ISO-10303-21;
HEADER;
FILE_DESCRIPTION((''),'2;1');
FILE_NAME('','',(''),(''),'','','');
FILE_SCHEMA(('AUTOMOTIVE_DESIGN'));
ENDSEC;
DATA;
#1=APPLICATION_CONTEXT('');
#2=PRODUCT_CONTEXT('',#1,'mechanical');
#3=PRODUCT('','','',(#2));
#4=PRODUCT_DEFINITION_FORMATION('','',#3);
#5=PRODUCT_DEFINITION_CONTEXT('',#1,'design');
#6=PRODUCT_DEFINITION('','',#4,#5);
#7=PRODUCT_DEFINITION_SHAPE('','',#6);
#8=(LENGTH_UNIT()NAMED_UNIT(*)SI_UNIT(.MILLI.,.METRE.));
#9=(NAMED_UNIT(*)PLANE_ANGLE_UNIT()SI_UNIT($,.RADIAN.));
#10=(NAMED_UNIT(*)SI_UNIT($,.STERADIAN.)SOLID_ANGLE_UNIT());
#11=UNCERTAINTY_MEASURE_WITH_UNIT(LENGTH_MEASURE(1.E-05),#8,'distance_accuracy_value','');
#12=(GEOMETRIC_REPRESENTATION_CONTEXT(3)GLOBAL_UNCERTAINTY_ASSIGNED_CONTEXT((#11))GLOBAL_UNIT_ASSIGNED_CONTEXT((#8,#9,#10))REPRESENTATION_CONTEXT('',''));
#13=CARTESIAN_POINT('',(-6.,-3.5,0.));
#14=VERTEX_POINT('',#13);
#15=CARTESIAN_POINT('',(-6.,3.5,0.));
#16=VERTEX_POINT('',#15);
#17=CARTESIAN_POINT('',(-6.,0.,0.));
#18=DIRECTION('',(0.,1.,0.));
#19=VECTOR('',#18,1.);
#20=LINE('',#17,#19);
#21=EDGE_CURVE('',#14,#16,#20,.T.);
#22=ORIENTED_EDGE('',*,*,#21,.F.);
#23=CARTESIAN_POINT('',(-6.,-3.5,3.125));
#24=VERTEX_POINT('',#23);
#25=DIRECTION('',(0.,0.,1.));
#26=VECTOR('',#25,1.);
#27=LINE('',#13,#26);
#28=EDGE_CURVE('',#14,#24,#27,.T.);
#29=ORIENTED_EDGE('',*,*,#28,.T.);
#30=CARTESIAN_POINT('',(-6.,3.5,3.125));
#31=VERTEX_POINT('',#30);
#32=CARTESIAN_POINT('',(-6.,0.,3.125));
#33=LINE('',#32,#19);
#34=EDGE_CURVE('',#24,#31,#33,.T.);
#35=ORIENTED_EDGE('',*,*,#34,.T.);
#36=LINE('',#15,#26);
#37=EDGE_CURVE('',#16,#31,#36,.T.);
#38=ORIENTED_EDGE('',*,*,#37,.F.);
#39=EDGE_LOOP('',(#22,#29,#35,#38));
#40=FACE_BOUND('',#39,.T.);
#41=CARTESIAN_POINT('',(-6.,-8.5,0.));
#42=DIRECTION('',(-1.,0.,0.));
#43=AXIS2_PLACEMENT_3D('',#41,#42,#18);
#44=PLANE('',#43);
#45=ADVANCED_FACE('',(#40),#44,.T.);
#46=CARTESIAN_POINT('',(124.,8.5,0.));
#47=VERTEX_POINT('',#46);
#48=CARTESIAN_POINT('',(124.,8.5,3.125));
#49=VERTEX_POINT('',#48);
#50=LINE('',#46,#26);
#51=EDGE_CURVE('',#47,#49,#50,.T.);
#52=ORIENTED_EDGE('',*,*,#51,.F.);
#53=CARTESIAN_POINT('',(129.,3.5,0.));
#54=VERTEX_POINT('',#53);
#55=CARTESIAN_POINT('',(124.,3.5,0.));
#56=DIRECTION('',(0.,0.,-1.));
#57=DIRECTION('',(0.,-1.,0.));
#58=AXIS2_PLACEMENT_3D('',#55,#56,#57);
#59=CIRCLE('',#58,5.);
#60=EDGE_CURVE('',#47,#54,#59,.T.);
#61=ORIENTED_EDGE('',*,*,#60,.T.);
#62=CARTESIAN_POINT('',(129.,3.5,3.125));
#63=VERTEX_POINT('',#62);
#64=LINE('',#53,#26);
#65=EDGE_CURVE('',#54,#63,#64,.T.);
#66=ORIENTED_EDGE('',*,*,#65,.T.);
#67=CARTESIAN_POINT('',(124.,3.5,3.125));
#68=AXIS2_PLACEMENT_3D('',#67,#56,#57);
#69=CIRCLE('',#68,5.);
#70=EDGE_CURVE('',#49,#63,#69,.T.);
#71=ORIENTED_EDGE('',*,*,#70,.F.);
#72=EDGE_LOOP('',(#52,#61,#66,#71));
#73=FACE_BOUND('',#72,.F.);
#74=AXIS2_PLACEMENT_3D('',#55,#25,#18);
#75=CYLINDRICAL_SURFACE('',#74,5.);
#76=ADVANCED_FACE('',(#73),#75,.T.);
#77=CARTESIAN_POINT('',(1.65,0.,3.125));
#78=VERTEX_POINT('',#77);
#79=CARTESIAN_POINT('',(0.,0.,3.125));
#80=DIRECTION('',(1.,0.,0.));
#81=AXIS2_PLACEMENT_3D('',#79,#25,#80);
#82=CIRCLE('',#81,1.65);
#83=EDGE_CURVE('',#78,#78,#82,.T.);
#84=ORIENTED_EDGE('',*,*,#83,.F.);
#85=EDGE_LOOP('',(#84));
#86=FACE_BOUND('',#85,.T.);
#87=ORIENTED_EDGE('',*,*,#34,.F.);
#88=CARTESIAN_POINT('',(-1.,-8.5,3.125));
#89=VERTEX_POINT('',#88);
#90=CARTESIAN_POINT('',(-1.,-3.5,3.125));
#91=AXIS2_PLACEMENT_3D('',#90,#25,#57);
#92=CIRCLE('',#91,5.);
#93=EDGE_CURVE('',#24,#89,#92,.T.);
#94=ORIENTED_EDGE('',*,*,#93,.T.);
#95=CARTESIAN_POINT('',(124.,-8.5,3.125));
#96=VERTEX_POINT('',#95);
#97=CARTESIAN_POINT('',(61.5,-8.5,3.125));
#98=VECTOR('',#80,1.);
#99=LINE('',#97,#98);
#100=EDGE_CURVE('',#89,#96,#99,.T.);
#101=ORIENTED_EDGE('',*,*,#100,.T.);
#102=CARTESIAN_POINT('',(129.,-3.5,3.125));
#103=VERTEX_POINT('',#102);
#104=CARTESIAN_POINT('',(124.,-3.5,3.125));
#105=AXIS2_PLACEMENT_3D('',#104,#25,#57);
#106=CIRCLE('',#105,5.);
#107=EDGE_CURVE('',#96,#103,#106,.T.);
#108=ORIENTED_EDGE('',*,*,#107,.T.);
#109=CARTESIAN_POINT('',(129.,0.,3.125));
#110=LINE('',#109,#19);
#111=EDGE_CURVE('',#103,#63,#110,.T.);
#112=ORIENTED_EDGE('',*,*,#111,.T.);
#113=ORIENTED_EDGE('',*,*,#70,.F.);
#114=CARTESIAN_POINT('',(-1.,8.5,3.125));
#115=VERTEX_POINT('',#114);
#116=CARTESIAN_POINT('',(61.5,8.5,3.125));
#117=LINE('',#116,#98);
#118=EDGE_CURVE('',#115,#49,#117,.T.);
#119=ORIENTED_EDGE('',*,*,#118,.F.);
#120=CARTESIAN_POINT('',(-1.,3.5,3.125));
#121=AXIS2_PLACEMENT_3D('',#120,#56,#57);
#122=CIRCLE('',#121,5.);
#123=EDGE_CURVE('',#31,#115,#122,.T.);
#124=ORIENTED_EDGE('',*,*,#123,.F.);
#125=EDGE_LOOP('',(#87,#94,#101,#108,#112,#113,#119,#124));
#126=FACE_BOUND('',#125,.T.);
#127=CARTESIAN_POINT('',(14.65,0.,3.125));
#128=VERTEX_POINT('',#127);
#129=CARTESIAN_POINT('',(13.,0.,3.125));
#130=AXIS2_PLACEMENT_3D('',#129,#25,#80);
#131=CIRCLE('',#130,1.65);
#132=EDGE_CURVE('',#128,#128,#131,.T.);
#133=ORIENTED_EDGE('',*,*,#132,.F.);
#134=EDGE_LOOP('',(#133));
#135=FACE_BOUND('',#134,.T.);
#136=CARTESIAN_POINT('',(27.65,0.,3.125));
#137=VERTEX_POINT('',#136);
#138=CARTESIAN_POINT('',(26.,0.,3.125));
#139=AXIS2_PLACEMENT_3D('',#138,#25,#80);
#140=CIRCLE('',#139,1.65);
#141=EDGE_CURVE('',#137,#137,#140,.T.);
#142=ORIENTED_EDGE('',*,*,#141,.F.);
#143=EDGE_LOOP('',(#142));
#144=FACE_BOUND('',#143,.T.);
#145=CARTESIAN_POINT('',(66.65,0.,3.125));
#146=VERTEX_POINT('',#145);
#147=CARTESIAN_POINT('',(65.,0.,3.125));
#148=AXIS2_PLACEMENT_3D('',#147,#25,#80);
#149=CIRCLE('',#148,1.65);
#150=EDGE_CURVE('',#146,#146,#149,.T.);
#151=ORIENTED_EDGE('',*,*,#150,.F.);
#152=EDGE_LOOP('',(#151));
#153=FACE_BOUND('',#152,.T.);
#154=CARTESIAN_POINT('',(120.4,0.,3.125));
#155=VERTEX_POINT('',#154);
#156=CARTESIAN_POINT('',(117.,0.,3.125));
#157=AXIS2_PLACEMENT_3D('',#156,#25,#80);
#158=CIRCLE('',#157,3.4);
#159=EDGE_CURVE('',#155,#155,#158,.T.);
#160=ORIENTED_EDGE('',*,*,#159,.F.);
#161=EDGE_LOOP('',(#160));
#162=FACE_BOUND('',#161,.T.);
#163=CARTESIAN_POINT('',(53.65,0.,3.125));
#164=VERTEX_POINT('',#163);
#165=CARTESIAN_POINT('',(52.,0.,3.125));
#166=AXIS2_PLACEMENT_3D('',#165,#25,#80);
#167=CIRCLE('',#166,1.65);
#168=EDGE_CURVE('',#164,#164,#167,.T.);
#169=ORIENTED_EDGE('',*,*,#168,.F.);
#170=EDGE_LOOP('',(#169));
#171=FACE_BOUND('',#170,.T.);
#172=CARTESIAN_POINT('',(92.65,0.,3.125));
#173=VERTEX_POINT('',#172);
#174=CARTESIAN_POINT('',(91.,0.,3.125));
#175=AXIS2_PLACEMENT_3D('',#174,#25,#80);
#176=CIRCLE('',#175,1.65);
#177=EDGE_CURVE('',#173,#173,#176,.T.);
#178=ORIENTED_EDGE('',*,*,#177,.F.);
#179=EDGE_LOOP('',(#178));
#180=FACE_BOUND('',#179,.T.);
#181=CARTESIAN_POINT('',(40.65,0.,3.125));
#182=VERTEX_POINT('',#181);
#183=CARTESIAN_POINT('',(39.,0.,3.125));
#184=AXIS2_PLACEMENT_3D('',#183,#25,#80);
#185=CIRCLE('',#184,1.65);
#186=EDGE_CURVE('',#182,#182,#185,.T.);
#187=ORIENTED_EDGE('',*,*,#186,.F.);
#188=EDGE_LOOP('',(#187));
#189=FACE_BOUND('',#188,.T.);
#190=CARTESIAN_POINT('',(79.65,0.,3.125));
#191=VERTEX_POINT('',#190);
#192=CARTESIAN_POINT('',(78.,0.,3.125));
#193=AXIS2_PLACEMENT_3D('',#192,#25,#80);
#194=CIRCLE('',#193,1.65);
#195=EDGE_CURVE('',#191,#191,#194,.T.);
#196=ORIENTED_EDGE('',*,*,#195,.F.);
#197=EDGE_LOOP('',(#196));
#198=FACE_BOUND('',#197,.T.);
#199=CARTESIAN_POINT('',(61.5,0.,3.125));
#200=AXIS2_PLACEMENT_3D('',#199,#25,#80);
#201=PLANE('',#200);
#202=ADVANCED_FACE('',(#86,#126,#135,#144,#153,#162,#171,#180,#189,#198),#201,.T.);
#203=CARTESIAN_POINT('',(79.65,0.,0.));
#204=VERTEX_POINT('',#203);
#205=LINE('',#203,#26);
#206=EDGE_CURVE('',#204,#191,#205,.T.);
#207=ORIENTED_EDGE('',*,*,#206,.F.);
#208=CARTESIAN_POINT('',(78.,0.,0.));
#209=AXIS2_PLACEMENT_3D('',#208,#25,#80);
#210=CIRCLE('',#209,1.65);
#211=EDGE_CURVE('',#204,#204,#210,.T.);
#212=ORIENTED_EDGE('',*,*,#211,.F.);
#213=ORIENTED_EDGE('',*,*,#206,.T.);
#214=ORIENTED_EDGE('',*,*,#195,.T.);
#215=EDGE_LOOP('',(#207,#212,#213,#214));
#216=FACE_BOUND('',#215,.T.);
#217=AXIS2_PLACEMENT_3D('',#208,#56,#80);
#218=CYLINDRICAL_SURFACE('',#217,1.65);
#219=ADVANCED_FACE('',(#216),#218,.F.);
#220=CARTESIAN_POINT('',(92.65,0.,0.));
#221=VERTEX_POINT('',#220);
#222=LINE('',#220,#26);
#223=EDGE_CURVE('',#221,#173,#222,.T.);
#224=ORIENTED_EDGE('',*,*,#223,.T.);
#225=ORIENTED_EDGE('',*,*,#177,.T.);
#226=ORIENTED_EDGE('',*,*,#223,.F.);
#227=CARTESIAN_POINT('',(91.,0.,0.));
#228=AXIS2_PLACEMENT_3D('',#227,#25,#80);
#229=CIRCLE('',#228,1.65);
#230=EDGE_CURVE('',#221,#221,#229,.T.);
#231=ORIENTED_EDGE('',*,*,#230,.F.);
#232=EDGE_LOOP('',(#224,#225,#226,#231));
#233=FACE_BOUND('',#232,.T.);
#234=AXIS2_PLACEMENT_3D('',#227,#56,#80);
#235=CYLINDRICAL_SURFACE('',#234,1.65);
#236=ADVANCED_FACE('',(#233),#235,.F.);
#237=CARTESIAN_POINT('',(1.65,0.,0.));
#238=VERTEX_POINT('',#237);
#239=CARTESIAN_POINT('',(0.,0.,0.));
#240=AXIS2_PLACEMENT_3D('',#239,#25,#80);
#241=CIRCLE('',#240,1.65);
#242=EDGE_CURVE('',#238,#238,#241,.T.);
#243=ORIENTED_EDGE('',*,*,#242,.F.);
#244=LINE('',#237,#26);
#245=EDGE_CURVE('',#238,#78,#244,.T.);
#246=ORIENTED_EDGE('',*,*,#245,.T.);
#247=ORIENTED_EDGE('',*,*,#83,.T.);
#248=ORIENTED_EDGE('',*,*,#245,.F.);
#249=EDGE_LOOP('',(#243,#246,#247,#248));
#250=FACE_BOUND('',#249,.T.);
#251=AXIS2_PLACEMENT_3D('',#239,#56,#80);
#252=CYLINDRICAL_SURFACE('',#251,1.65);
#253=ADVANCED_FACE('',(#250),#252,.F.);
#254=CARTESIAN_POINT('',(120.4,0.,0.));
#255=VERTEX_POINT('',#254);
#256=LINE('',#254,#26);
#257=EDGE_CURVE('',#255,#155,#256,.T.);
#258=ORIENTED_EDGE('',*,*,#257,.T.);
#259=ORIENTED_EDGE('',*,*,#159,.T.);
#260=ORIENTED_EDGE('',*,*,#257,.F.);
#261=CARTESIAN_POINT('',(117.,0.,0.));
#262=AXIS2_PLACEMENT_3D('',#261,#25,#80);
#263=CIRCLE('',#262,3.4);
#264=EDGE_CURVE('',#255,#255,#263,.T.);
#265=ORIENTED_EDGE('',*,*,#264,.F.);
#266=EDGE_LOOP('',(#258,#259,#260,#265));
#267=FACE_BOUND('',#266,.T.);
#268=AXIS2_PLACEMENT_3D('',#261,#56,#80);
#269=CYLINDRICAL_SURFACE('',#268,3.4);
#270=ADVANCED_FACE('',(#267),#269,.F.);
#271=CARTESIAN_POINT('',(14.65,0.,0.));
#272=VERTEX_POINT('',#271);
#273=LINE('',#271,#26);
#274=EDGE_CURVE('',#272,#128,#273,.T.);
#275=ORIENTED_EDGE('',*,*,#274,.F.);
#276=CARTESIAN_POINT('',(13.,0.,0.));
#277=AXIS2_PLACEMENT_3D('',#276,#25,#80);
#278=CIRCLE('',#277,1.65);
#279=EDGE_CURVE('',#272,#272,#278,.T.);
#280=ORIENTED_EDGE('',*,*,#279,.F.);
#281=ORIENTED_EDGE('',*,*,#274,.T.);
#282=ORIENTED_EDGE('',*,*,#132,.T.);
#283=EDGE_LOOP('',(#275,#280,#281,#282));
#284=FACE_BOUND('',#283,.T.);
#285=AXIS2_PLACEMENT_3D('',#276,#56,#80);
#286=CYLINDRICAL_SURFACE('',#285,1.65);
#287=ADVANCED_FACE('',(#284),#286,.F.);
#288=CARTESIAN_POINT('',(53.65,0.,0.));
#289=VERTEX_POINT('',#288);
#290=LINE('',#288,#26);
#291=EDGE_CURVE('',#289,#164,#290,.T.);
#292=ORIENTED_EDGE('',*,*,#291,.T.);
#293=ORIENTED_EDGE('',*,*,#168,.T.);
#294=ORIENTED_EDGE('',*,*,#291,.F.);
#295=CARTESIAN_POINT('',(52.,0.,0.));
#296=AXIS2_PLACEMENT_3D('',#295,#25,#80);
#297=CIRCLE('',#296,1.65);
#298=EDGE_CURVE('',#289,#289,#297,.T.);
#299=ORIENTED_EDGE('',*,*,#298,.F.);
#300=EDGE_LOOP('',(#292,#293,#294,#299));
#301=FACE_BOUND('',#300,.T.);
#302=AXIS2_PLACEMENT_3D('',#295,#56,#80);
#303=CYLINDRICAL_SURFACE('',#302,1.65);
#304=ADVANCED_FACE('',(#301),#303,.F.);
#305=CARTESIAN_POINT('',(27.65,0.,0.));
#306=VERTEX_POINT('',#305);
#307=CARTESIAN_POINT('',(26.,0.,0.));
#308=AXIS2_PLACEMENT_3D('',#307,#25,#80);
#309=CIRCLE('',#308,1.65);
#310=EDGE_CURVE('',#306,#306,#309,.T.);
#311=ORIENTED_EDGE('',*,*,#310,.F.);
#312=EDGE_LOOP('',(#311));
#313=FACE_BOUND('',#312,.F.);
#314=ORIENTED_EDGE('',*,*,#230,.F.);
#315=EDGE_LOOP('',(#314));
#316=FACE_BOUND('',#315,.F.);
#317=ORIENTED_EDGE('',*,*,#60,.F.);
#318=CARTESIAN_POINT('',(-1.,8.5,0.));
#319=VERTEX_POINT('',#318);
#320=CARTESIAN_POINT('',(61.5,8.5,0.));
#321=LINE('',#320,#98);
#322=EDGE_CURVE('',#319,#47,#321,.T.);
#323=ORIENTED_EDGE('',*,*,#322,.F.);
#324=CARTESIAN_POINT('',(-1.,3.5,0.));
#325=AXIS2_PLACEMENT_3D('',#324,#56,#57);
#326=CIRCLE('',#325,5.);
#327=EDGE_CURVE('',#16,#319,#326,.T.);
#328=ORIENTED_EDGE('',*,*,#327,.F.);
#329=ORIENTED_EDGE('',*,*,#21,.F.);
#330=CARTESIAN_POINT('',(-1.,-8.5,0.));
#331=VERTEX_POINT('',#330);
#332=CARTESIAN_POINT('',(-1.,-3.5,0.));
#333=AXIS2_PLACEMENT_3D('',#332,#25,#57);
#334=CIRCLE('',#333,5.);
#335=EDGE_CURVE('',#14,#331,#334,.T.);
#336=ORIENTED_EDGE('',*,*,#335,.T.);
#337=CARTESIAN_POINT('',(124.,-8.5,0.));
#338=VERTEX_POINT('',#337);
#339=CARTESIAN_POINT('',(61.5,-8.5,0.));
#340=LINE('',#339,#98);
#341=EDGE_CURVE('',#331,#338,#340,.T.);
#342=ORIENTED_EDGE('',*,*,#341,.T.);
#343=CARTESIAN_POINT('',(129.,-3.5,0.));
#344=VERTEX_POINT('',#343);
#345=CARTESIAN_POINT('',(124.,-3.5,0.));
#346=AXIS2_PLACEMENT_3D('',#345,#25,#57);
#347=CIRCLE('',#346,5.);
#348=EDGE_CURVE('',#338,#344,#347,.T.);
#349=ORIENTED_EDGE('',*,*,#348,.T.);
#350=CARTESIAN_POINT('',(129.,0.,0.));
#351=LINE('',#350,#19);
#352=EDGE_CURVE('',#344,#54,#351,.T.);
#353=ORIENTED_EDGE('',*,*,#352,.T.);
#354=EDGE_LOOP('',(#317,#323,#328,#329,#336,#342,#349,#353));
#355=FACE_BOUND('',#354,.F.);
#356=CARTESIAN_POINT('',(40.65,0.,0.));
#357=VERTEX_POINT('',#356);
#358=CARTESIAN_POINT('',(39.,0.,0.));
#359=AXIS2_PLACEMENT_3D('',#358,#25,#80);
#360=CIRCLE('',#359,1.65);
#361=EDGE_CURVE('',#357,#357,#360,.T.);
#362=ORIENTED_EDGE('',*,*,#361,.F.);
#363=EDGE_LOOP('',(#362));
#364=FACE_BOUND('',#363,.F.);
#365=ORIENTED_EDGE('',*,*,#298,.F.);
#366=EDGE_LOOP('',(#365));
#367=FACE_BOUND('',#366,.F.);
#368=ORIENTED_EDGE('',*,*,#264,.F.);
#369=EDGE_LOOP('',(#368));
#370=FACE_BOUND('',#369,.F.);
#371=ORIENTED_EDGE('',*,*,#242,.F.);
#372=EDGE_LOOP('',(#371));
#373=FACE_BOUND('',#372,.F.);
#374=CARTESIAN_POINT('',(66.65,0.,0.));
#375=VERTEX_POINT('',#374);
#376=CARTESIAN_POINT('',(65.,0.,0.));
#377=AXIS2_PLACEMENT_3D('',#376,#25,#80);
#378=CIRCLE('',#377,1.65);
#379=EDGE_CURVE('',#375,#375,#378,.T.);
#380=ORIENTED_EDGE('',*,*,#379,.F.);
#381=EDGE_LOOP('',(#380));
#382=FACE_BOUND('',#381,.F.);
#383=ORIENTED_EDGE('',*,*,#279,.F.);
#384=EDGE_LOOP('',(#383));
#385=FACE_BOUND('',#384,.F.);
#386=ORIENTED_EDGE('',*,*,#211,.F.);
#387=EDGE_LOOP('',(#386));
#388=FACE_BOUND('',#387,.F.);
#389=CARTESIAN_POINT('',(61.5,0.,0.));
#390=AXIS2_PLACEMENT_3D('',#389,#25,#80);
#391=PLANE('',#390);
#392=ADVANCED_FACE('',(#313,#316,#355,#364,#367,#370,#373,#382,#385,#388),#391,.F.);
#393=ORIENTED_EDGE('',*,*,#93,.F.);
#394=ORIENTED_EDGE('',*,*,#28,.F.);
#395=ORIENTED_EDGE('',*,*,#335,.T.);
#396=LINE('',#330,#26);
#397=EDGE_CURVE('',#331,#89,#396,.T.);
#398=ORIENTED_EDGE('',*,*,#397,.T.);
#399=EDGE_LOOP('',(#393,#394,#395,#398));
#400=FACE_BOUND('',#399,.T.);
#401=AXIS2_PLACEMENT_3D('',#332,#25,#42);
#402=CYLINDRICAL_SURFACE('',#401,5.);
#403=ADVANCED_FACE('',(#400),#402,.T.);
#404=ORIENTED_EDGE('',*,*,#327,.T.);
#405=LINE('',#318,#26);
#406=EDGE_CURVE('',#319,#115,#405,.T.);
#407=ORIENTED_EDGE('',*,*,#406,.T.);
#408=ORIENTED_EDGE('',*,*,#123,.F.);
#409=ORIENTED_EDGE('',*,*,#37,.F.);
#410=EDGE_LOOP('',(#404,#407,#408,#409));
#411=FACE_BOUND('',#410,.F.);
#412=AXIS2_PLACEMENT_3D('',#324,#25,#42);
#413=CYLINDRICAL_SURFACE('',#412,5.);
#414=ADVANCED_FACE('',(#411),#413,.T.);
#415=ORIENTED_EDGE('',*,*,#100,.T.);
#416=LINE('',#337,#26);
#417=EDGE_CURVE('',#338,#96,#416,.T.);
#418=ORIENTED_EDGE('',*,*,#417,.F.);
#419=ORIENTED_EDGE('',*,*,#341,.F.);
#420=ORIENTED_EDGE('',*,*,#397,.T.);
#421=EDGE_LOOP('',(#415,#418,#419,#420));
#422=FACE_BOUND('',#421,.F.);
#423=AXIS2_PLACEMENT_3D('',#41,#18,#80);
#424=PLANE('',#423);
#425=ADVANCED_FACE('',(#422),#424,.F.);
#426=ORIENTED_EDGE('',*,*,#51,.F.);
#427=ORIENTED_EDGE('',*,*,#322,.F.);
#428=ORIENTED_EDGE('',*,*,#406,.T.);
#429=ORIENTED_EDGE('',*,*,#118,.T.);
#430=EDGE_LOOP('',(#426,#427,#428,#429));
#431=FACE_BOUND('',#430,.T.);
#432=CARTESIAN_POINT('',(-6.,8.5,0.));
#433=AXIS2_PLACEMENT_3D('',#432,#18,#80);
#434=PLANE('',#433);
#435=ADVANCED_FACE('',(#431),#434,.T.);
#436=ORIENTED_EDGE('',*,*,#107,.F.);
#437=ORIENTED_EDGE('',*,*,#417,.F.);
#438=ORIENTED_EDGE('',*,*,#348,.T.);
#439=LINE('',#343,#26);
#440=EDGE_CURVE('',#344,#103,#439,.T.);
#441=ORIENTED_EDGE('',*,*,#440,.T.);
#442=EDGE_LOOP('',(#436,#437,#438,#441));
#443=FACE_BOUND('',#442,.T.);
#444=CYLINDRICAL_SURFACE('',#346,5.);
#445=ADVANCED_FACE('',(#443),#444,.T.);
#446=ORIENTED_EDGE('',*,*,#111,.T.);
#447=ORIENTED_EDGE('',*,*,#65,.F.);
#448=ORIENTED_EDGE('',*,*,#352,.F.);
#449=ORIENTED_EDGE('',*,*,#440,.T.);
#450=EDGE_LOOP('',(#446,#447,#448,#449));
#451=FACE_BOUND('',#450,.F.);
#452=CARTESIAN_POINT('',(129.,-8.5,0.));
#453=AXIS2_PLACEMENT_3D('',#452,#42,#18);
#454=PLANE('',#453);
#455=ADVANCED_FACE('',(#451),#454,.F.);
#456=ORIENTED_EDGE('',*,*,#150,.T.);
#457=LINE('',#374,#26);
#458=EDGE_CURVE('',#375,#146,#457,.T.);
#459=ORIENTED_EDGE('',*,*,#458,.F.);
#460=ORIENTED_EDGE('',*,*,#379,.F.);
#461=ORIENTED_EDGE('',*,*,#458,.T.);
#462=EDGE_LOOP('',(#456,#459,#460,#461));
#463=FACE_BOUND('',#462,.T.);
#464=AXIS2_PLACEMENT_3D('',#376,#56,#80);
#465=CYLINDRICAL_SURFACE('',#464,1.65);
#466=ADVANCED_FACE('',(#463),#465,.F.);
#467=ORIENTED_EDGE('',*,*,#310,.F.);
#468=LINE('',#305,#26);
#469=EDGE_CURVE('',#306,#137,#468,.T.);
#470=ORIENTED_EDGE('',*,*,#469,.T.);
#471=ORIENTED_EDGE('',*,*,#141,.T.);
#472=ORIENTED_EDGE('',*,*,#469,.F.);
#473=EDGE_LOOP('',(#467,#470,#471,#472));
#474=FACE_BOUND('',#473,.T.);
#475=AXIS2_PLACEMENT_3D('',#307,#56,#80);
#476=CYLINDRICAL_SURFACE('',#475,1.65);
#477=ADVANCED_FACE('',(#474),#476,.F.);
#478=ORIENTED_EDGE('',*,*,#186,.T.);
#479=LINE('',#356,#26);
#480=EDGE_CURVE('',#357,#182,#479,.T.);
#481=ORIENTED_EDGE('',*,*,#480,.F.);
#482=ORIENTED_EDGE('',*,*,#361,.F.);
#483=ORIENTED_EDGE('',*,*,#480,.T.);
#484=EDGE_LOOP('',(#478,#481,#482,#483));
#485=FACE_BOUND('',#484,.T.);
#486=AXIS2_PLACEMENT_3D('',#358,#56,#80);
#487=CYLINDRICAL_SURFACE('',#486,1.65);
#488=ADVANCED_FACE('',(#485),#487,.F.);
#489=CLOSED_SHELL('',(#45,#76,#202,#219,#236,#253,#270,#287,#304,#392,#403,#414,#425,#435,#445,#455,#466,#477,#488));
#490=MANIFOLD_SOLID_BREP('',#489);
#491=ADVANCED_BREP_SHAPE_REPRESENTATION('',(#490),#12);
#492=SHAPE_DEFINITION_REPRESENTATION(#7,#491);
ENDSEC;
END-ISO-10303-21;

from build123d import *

# Parameters (mm, degrees)
SKETCH_W   = 135
SKETCH_H   = 17
SKETCH_R   = 1.65
SKETCH_R_2 = 3.4
PAD_DEPTH  = 3.125
FILLET_R   = 5


with BuildPart() as part:
    # Sketch → Pad (new body)
    with BuildSketch(Plane.XY):
        with Locations((61.5, 0)):
            Rectangle(SKETCH_W, SKETCH_H)
        Circle(SKETCH_R, mode=Mode.SUBTRACT)
        with Locations((13, 0)):
            Circle(SKETCH_R, mode=Mode.SUBTRACT)
        with Locations((26, 0)):
            Circle(SKETCH_R, mode=Mode.SUBTRACT)
        with Locations((39, 0)):
            Circle(SKETCH_R, mode=Mode.SUBTRACT)
        with Locations((52, 0)):
            Circle(SKETCH_R, mode=Mode.SUBTRACT)
        with Locations((65, 0)):
            Circle(SKETCH_R, mode=Mode.SUBTRACT)
        with Locations((91, 0)):
            Circle(SKETCH_R, mode=Mode.SUBTRACT)
        with Locations((78, 0)):
            Circle(SKETCH_R, mode=Mode.SUBTRACT)
        with Locations((117, 0)):
            Circle(SKETCH_R_2, mode=Mode.SUBTRACT)
    extrude(amount=PAD_DEPTH)

    # Fillet
    fillet_edges = [part.edges().sort_by_distance(p)[0] for p in [
        (-6, -8.5, 1.5625),
        (129, -8.5, 1.5625),
        (129, 8.5, 1.5625),
        (-6, 8.5, 1.5625),
    ]]
    fillet(fillet_edges, radius=FILLET_R)


solid = part.part
